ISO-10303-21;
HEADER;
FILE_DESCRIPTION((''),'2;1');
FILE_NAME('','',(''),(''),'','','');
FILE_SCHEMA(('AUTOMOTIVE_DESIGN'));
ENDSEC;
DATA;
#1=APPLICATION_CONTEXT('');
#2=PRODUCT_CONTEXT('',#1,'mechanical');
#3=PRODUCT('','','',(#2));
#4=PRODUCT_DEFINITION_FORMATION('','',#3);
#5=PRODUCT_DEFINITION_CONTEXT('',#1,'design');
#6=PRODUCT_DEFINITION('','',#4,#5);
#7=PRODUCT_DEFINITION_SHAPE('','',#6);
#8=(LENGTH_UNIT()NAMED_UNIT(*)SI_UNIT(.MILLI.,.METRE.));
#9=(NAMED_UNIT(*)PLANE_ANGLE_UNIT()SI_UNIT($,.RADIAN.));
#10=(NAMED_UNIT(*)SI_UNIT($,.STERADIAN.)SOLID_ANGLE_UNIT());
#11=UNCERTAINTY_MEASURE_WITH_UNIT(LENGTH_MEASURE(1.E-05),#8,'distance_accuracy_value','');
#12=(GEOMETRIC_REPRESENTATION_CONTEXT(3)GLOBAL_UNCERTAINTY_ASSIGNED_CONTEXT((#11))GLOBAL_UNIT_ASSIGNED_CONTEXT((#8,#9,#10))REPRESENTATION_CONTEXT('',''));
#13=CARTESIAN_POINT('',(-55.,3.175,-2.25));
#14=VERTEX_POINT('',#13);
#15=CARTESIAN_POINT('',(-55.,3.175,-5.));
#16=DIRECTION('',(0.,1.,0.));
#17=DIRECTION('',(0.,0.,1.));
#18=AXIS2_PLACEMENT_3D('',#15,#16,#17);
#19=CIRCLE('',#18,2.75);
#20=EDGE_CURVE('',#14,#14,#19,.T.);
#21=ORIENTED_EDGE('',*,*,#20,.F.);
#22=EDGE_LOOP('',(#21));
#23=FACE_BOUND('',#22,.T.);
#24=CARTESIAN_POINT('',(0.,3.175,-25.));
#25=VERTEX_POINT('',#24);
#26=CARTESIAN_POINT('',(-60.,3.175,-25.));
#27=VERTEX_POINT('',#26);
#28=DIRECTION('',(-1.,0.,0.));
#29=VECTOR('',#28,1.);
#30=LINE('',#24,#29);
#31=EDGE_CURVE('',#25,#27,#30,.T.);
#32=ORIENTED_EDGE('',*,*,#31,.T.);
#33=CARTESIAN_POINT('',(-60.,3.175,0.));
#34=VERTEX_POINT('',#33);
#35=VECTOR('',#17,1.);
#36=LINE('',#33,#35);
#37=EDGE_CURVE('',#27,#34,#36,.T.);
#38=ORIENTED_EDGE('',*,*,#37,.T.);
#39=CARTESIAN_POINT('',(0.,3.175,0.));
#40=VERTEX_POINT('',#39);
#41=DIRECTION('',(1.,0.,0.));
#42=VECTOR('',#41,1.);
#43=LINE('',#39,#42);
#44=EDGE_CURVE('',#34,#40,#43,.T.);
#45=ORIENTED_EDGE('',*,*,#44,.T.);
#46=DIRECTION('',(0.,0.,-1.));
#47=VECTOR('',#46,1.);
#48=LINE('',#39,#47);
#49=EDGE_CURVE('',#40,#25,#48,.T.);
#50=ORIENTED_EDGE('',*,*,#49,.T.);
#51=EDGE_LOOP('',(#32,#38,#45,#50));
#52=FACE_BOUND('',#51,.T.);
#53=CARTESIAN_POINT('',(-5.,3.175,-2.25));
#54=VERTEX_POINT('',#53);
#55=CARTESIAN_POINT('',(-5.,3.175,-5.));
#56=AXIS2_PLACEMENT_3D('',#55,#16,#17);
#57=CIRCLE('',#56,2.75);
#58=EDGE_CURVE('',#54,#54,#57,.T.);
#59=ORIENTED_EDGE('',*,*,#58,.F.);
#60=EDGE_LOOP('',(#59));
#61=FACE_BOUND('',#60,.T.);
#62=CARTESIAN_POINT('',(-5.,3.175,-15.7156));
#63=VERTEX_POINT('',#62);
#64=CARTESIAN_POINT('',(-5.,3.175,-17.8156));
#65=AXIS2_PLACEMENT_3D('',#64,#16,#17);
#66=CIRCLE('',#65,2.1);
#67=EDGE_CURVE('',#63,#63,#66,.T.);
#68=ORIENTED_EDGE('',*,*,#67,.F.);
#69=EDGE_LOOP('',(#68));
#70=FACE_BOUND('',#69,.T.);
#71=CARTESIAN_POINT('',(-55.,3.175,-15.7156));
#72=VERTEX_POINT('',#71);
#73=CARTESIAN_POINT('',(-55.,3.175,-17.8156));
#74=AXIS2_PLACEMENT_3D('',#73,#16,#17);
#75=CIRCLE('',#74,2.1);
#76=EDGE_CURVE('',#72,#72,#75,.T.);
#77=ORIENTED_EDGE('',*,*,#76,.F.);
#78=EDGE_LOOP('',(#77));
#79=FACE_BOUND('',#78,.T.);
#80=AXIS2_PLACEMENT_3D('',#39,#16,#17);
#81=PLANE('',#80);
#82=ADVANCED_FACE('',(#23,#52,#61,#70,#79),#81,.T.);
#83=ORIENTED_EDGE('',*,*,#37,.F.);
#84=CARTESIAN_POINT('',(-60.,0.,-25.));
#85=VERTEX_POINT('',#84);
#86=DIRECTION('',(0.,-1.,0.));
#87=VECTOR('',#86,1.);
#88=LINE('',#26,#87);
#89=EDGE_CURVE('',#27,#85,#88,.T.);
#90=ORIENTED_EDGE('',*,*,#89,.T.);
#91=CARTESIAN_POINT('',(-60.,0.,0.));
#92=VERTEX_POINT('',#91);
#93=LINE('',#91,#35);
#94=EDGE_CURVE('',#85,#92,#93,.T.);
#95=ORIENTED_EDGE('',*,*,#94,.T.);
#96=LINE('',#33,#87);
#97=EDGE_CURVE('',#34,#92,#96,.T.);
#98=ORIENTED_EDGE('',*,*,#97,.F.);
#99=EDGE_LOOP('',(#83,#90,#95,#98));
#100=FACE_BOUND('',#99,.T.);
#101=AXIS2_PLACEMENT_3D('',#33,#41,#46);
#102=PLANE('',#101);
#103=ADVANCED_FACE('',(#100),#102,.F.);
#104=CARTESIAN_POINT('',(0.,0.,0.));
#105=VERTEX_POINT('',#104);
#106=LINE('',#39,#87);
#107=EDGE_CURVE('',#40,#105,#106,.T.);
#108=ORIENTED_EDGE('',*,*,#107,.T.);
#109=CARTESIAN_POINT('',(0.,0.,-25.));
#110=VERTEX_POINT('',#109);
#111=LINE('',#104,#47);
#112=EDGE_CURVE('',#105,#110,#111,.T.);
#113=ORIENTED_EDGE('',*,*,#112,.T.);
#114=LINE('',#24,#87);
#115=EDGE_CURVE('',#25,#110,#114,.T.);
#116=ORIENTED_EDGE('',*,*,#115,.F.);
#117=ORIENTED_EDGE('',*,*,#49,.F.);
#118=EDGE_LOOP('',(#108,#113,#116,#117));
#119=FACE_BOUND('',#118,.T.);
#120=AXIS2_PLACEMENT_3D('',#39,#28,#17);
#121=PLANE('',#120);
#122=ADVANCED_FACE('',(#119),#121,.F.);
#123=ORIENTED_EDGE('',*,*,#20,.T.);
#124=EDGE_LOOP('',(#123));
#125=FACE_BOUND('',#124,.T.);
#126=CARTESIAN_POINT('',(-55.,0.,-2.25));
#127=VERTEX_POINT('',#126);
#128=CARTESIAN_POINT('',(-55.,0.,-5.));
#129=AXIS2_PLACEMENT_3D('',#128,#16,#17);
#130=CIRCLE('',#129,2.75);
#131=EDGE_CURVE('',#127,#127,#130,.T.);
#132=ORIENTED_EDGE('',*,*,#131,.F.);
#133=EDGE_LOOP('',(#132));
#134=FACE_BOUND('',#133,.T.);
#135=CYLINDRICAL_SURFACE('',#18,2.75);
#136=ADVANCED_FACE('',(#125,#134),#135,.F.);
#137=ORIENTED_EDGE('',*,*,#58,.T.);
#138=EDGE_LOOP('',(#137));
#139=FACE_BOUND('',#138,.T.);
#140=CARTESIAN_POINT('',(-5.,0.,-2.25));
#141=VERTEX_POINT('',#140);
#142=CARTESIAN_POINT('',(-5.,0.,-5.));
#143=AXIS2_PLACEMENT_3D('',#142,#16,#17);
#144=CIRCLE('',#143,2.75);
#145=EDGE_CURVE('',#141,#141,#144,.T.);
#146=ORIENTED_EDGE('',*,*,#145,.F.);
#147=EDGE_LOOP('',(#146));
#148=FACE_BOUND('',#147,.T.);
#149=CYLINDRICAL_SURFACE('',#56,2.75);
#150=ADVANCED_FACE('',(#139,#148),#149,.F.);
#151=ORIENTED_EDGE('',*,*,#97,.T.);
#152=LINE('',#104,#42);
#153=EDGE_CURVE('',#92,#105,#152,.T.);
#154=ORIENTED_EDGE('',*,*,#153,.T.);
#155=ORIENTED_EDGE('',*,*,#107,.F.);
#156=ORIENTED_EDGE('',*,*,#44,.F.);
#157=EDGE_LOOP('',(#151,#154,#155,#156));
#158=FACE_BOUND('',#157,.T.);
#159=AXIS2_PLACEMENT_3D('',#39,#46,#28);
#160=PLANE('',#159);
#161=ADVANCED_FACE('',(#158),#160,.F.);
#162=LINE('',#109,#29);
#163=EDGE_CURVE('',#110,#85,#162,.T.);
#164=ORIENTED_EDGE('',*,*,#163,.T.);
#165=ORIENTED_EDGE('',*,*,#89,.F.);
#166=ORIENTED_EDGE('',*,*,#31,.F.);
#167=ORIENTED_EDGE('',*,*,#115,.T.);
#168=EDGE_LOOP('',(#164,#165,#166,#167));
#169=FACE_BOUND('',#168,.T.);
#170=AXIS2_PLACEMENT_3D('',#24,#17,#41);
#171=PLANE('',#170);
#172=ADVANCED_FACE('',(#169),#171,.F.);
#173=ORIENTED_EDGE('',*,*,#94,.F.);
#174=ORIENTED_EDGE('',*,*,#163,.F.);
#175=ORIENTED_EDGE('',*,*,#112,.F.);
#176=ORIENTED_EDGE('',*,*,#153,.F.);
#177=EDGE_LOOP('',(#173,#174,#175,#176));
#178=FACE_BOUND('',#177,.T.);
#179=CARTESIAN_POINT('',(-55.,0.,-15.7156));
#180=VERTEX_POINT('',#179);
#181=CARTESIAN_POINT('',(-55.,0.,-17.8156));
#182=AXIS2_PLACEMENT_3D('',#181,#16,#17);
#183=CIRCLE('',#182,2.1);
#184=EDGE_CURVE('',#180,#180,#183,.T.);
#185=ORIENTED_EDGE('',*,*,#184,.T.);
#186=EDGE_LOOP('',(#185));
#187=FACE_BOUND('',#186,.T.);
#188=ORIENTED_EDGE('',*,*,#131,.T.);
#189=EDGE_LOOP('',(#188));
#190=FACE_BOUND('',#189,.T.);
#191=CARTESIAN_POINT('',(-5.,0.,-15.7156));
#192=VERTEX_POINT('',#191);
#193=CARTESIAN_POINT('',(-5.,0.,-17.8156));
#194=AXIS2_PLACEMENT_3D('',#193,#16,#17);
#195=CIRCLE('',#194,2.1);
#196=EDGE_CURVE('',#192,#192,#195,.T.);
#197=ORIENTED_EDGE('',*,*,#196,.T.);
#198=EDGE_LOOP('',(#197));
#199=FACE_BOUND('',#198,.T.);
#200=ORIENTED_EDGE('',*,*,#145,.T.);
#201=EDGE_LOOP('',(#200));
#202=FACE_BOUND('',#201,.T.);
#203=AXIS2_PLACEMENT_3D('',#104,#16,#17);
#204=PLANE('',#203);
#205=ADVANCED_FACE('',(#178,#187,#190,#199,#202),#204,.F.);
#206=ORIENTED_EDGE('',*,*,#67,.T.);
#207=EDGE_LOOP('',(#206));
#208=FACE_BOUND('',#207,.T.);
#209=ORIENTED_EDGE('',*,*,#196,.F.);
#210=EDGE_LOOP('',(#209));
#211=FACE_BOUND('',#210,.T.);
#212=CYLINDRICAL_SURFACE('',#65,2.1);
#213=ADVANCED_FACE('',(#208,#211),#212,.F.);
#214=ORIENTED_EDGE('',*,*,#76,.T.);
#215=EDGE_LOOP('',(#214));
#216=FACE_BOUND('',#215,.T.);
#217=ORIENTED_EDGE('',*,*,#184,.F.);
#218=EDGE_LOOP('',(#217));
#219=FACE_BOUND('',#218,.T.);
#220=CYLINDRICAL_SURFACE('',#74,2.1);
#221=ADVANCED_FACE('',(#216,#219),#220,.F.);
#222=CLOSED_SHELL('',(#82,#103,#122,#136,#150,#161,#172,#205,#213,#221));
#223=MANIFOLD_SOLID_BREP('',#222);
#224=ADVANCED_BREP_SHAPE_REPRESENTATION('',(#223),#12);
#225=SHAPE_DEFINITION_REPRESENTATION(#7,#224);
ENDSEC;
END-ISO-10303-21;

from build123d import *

# Parameters (mm, degrees)
SKETCH1_W                 = 60
SKETCH1_H                 = 25
BOSS_EXTRUDE1_DEPTH       = 3.175
M5_CLEARANCE_HOLE2_D      = 5.5
M5_CLEARANCE_HOLE2_DEPTH  = 15
M5_CLEARANCE_HOLE2_TIP    = 1.652366702
M5X0_8_TAPPED_HOLE2_D     = 4.2
M5X0_8_TAPPED_HOLE2_DEPTH = 15
M5X0_8_TAPPED_HOLE2_TIP   = 1.2618073


with BuildPart() as part:
    # Sketch1 → Boss-Extrude1 (new body)
    with BuildSketch(Plane(origin=(0, 0, 0), x_dir=(1, 0, 0), z_dir=(0, 1, 0))):
        with Locations((-30, 12.5)):
            Rectangle(SKETCH1_W, SKETCH1_H)
    extrude(amount=BOSS_EXTRUDE1_DEPTH)

    # M5 Clearance Hole2
    with Locations(Plane(origin=(-55, 3.175, -5), x_dir=(0, 0, 1), z_dir=(0, 1, 0))):
        with Locations((0, 0), (0, 50)):
            Hole(M5_CLEARANCE_HOLE2_D / 2, depth=M5_CLEARANCE_HOLE2_DEPTH)
            with Locations((0, 0, -(M5_CLEARANCE_HOLE2_DEPTH + M5_CLEARANCE_HOLE2_TIP / 2))):  # 118° drill point
                Cone(0, M5_CLEARANCE_HOLE2_D / 2, M5_CLEARANCE_HOLE2_TIP, mode=Mode.SUBTRACT)

    # M5x0.8 Tapped Hole2
    with Locations(Plane(origin=(-55, 3.175, -17.8156), x_dir=(0, 0, 1), z_dir=(0, 1, 0))):
        with Locations((0, 0), (0, 50)):
            Hole(M5X0_8_TAPPED_HOLE2_D / 2, depth=M5X0_8_TAPPED_HOLE2_DEPTH)
            with Locations((0, 0, -(M5X0_8_TAPPED_HOLE2_DEPTH + M5X0_8_TAPPED_HOLE2_TIP / 2))):  # 118° drill point
                Cone(0, M5X0_8_TAPPED_HOLE2_D / 2, M5X0_8_TAPPED_HOLE2_TIP, mode=Mode.SUBTRACT)


solid = part.part
